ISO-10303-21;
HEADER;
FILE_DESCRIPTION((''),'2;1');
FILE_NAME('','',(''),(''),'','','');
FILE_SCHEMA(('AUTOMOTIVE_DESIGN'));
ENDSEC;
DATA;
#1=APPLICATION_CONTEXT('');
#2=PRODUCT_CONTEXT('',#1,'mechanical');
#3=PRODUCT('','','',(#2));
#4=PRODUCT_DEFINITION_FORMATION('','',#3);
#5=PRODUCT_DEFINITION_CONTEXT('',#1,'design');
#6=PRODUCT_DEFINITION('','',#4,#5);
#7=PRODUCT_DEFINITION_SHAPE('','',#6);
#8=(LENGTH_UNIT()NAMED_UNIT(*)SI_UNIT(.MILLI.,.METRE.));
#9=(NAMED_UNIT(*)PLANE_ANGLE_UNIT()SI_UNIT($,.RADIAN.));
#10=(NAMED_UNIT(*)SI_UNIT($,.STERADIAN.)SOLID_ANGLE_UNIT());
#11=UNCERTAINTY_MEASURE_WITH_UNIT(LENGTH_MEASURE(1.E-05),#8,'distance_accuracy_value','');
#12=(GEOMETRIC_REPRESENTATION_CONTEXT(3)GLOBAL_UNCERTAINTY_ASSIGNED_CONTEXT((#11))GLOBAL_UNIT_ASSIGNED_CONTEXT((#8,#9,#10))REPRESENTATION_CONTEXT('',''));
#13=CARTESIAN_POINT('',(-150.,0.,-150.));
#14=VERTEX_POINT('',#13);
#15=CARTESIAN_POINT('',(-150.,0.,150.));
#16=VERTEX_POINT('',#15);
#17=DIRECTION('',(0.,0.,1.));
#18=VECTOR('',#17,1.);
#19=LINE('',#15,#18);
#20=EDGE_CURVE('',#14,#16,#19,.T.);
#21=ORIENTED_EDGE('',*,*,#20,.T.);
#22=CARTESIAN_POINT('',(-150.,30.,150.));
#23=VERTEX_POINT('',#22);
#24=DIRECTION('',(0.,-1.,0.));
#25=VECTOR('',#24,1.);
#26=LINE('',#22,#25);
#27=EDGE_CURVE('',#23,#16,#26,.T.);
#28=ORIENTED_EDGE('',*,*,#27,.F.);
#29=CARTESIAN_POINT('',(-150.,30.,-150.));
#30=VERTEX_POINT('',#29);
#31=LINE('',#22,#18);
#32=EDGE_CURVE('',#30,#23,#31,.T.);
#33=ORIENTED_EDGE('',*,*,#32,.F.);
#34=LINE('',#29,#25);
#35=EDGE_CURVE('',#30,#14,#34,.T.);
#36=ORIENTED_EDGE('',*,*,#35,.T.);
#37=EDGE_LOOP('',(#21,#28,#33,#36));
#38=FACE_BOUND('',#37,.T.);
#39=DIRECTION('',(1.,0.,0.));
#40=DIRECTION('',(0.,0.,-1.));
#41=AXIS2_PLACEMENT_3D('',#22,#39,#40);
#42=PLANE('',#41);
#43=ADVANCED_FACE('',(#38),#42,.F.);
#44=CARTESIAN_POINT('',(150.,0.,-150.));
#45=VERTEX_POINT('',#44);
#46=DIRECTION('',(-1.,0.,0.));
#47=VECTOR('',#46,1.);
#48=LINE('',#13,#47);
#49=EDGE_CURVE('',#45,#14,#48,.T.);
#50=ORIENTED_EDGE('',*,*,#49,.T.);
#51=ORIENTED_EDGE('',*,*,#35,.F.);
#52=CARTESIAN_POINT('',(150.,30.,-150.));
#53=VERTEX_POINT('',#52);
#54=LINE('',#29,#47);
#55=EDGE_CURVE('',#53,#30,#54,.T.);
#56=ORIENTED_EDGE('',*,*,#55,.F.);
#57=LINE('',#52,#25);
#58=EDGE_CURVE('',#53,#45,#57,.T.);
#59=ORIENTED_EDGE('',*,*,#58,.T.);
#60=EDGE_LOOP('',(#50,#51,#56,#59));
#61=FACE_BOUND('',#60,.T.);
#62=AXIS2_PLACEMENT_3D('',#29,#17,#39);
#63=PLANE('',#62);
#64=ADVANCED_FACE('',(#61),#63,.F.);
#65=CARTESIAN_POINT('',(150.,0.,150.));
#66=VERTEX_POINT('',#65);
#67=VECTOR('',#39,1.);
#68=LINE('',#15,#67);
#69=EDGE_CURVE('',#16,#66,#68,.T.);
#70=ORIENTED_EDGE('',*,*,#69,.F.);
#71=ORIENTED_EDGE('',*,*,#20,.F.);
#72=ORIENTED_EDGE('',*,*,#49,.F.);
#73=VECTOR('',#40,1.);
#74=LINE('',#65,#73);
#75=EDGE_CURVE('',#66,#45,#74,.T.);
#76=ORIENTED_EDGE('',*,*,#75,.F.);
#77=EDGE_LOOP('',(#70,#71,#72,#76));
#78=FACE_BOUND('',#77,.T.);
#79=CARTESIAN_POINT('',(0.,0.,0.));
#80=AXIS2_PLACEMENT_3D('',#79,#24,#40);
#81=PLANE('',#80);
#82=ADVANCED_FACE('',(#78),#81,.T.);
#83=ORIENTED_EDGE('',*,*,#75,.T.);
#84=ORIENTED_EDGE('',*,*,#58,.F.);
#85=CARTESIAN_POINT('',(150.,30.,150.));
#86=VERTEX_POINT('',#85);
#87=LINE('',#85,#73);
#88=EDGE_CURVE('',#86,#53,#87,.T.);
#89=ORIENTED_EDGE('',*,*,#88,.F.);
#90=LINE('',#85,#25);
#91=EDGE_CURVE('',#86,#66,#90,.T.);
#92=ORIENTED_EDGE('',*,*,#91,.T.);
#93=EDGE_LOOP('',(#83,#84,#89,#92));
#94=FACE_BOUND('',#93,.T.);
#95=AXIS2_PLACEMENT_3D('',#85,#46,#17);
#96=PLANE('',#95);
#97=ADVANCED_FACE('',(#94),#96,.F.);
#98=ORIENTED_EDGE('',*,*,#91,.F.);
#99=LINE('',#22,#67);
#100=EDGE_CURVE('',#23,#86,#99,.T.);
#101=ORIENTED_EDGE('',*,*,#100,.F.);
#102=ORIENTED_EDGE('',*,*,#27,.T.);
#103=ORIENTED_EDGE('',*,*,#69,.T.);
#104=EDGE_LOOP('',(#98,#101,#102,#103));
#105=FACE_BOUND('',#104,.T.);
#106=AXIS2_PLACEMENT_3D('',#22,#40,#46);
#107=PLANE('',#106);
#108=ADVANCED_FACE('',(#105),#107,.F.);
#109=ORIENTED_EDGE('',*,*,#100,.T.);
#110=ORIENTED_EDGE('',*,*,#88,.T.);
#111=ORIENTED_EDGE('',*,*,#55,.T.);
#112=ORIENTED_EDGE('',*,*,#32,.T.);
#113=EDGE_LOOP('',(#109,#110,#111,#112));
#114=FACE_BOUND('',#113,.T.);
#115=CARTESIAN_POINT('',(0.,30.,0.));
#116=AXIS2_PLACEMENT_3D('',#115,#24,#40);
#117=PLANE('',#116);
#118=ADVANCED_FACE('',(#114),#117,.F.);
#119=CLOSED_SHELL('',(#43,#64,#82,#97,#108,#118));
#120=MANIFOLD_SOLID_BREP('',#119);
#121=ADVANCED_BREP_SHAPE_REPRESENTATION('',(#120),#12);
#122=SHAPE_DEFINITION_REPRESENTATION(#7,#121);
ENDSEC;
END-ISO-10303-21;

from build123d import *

# Parameters (mm, degrees)
ESQUISSE1_W        = 300
ESQUISSE1_H        = 300
BOSS_EXTRU_1_DEPTH = 30


with BuildPart() as part:
    # Esquisse1 → Boss.-Extru.1 (new body)
    with BuildSketch(Plane(origin=(0, 0, 0), x_dir=(1, 0, 0), z_dir=(0, 1, 0))):
        Rectangle(ESQUISSE1_W, ESQUISSE1_H)
    extrude(amount=BOSS_EXTRU_1_DEPTH)


solid = part.part
